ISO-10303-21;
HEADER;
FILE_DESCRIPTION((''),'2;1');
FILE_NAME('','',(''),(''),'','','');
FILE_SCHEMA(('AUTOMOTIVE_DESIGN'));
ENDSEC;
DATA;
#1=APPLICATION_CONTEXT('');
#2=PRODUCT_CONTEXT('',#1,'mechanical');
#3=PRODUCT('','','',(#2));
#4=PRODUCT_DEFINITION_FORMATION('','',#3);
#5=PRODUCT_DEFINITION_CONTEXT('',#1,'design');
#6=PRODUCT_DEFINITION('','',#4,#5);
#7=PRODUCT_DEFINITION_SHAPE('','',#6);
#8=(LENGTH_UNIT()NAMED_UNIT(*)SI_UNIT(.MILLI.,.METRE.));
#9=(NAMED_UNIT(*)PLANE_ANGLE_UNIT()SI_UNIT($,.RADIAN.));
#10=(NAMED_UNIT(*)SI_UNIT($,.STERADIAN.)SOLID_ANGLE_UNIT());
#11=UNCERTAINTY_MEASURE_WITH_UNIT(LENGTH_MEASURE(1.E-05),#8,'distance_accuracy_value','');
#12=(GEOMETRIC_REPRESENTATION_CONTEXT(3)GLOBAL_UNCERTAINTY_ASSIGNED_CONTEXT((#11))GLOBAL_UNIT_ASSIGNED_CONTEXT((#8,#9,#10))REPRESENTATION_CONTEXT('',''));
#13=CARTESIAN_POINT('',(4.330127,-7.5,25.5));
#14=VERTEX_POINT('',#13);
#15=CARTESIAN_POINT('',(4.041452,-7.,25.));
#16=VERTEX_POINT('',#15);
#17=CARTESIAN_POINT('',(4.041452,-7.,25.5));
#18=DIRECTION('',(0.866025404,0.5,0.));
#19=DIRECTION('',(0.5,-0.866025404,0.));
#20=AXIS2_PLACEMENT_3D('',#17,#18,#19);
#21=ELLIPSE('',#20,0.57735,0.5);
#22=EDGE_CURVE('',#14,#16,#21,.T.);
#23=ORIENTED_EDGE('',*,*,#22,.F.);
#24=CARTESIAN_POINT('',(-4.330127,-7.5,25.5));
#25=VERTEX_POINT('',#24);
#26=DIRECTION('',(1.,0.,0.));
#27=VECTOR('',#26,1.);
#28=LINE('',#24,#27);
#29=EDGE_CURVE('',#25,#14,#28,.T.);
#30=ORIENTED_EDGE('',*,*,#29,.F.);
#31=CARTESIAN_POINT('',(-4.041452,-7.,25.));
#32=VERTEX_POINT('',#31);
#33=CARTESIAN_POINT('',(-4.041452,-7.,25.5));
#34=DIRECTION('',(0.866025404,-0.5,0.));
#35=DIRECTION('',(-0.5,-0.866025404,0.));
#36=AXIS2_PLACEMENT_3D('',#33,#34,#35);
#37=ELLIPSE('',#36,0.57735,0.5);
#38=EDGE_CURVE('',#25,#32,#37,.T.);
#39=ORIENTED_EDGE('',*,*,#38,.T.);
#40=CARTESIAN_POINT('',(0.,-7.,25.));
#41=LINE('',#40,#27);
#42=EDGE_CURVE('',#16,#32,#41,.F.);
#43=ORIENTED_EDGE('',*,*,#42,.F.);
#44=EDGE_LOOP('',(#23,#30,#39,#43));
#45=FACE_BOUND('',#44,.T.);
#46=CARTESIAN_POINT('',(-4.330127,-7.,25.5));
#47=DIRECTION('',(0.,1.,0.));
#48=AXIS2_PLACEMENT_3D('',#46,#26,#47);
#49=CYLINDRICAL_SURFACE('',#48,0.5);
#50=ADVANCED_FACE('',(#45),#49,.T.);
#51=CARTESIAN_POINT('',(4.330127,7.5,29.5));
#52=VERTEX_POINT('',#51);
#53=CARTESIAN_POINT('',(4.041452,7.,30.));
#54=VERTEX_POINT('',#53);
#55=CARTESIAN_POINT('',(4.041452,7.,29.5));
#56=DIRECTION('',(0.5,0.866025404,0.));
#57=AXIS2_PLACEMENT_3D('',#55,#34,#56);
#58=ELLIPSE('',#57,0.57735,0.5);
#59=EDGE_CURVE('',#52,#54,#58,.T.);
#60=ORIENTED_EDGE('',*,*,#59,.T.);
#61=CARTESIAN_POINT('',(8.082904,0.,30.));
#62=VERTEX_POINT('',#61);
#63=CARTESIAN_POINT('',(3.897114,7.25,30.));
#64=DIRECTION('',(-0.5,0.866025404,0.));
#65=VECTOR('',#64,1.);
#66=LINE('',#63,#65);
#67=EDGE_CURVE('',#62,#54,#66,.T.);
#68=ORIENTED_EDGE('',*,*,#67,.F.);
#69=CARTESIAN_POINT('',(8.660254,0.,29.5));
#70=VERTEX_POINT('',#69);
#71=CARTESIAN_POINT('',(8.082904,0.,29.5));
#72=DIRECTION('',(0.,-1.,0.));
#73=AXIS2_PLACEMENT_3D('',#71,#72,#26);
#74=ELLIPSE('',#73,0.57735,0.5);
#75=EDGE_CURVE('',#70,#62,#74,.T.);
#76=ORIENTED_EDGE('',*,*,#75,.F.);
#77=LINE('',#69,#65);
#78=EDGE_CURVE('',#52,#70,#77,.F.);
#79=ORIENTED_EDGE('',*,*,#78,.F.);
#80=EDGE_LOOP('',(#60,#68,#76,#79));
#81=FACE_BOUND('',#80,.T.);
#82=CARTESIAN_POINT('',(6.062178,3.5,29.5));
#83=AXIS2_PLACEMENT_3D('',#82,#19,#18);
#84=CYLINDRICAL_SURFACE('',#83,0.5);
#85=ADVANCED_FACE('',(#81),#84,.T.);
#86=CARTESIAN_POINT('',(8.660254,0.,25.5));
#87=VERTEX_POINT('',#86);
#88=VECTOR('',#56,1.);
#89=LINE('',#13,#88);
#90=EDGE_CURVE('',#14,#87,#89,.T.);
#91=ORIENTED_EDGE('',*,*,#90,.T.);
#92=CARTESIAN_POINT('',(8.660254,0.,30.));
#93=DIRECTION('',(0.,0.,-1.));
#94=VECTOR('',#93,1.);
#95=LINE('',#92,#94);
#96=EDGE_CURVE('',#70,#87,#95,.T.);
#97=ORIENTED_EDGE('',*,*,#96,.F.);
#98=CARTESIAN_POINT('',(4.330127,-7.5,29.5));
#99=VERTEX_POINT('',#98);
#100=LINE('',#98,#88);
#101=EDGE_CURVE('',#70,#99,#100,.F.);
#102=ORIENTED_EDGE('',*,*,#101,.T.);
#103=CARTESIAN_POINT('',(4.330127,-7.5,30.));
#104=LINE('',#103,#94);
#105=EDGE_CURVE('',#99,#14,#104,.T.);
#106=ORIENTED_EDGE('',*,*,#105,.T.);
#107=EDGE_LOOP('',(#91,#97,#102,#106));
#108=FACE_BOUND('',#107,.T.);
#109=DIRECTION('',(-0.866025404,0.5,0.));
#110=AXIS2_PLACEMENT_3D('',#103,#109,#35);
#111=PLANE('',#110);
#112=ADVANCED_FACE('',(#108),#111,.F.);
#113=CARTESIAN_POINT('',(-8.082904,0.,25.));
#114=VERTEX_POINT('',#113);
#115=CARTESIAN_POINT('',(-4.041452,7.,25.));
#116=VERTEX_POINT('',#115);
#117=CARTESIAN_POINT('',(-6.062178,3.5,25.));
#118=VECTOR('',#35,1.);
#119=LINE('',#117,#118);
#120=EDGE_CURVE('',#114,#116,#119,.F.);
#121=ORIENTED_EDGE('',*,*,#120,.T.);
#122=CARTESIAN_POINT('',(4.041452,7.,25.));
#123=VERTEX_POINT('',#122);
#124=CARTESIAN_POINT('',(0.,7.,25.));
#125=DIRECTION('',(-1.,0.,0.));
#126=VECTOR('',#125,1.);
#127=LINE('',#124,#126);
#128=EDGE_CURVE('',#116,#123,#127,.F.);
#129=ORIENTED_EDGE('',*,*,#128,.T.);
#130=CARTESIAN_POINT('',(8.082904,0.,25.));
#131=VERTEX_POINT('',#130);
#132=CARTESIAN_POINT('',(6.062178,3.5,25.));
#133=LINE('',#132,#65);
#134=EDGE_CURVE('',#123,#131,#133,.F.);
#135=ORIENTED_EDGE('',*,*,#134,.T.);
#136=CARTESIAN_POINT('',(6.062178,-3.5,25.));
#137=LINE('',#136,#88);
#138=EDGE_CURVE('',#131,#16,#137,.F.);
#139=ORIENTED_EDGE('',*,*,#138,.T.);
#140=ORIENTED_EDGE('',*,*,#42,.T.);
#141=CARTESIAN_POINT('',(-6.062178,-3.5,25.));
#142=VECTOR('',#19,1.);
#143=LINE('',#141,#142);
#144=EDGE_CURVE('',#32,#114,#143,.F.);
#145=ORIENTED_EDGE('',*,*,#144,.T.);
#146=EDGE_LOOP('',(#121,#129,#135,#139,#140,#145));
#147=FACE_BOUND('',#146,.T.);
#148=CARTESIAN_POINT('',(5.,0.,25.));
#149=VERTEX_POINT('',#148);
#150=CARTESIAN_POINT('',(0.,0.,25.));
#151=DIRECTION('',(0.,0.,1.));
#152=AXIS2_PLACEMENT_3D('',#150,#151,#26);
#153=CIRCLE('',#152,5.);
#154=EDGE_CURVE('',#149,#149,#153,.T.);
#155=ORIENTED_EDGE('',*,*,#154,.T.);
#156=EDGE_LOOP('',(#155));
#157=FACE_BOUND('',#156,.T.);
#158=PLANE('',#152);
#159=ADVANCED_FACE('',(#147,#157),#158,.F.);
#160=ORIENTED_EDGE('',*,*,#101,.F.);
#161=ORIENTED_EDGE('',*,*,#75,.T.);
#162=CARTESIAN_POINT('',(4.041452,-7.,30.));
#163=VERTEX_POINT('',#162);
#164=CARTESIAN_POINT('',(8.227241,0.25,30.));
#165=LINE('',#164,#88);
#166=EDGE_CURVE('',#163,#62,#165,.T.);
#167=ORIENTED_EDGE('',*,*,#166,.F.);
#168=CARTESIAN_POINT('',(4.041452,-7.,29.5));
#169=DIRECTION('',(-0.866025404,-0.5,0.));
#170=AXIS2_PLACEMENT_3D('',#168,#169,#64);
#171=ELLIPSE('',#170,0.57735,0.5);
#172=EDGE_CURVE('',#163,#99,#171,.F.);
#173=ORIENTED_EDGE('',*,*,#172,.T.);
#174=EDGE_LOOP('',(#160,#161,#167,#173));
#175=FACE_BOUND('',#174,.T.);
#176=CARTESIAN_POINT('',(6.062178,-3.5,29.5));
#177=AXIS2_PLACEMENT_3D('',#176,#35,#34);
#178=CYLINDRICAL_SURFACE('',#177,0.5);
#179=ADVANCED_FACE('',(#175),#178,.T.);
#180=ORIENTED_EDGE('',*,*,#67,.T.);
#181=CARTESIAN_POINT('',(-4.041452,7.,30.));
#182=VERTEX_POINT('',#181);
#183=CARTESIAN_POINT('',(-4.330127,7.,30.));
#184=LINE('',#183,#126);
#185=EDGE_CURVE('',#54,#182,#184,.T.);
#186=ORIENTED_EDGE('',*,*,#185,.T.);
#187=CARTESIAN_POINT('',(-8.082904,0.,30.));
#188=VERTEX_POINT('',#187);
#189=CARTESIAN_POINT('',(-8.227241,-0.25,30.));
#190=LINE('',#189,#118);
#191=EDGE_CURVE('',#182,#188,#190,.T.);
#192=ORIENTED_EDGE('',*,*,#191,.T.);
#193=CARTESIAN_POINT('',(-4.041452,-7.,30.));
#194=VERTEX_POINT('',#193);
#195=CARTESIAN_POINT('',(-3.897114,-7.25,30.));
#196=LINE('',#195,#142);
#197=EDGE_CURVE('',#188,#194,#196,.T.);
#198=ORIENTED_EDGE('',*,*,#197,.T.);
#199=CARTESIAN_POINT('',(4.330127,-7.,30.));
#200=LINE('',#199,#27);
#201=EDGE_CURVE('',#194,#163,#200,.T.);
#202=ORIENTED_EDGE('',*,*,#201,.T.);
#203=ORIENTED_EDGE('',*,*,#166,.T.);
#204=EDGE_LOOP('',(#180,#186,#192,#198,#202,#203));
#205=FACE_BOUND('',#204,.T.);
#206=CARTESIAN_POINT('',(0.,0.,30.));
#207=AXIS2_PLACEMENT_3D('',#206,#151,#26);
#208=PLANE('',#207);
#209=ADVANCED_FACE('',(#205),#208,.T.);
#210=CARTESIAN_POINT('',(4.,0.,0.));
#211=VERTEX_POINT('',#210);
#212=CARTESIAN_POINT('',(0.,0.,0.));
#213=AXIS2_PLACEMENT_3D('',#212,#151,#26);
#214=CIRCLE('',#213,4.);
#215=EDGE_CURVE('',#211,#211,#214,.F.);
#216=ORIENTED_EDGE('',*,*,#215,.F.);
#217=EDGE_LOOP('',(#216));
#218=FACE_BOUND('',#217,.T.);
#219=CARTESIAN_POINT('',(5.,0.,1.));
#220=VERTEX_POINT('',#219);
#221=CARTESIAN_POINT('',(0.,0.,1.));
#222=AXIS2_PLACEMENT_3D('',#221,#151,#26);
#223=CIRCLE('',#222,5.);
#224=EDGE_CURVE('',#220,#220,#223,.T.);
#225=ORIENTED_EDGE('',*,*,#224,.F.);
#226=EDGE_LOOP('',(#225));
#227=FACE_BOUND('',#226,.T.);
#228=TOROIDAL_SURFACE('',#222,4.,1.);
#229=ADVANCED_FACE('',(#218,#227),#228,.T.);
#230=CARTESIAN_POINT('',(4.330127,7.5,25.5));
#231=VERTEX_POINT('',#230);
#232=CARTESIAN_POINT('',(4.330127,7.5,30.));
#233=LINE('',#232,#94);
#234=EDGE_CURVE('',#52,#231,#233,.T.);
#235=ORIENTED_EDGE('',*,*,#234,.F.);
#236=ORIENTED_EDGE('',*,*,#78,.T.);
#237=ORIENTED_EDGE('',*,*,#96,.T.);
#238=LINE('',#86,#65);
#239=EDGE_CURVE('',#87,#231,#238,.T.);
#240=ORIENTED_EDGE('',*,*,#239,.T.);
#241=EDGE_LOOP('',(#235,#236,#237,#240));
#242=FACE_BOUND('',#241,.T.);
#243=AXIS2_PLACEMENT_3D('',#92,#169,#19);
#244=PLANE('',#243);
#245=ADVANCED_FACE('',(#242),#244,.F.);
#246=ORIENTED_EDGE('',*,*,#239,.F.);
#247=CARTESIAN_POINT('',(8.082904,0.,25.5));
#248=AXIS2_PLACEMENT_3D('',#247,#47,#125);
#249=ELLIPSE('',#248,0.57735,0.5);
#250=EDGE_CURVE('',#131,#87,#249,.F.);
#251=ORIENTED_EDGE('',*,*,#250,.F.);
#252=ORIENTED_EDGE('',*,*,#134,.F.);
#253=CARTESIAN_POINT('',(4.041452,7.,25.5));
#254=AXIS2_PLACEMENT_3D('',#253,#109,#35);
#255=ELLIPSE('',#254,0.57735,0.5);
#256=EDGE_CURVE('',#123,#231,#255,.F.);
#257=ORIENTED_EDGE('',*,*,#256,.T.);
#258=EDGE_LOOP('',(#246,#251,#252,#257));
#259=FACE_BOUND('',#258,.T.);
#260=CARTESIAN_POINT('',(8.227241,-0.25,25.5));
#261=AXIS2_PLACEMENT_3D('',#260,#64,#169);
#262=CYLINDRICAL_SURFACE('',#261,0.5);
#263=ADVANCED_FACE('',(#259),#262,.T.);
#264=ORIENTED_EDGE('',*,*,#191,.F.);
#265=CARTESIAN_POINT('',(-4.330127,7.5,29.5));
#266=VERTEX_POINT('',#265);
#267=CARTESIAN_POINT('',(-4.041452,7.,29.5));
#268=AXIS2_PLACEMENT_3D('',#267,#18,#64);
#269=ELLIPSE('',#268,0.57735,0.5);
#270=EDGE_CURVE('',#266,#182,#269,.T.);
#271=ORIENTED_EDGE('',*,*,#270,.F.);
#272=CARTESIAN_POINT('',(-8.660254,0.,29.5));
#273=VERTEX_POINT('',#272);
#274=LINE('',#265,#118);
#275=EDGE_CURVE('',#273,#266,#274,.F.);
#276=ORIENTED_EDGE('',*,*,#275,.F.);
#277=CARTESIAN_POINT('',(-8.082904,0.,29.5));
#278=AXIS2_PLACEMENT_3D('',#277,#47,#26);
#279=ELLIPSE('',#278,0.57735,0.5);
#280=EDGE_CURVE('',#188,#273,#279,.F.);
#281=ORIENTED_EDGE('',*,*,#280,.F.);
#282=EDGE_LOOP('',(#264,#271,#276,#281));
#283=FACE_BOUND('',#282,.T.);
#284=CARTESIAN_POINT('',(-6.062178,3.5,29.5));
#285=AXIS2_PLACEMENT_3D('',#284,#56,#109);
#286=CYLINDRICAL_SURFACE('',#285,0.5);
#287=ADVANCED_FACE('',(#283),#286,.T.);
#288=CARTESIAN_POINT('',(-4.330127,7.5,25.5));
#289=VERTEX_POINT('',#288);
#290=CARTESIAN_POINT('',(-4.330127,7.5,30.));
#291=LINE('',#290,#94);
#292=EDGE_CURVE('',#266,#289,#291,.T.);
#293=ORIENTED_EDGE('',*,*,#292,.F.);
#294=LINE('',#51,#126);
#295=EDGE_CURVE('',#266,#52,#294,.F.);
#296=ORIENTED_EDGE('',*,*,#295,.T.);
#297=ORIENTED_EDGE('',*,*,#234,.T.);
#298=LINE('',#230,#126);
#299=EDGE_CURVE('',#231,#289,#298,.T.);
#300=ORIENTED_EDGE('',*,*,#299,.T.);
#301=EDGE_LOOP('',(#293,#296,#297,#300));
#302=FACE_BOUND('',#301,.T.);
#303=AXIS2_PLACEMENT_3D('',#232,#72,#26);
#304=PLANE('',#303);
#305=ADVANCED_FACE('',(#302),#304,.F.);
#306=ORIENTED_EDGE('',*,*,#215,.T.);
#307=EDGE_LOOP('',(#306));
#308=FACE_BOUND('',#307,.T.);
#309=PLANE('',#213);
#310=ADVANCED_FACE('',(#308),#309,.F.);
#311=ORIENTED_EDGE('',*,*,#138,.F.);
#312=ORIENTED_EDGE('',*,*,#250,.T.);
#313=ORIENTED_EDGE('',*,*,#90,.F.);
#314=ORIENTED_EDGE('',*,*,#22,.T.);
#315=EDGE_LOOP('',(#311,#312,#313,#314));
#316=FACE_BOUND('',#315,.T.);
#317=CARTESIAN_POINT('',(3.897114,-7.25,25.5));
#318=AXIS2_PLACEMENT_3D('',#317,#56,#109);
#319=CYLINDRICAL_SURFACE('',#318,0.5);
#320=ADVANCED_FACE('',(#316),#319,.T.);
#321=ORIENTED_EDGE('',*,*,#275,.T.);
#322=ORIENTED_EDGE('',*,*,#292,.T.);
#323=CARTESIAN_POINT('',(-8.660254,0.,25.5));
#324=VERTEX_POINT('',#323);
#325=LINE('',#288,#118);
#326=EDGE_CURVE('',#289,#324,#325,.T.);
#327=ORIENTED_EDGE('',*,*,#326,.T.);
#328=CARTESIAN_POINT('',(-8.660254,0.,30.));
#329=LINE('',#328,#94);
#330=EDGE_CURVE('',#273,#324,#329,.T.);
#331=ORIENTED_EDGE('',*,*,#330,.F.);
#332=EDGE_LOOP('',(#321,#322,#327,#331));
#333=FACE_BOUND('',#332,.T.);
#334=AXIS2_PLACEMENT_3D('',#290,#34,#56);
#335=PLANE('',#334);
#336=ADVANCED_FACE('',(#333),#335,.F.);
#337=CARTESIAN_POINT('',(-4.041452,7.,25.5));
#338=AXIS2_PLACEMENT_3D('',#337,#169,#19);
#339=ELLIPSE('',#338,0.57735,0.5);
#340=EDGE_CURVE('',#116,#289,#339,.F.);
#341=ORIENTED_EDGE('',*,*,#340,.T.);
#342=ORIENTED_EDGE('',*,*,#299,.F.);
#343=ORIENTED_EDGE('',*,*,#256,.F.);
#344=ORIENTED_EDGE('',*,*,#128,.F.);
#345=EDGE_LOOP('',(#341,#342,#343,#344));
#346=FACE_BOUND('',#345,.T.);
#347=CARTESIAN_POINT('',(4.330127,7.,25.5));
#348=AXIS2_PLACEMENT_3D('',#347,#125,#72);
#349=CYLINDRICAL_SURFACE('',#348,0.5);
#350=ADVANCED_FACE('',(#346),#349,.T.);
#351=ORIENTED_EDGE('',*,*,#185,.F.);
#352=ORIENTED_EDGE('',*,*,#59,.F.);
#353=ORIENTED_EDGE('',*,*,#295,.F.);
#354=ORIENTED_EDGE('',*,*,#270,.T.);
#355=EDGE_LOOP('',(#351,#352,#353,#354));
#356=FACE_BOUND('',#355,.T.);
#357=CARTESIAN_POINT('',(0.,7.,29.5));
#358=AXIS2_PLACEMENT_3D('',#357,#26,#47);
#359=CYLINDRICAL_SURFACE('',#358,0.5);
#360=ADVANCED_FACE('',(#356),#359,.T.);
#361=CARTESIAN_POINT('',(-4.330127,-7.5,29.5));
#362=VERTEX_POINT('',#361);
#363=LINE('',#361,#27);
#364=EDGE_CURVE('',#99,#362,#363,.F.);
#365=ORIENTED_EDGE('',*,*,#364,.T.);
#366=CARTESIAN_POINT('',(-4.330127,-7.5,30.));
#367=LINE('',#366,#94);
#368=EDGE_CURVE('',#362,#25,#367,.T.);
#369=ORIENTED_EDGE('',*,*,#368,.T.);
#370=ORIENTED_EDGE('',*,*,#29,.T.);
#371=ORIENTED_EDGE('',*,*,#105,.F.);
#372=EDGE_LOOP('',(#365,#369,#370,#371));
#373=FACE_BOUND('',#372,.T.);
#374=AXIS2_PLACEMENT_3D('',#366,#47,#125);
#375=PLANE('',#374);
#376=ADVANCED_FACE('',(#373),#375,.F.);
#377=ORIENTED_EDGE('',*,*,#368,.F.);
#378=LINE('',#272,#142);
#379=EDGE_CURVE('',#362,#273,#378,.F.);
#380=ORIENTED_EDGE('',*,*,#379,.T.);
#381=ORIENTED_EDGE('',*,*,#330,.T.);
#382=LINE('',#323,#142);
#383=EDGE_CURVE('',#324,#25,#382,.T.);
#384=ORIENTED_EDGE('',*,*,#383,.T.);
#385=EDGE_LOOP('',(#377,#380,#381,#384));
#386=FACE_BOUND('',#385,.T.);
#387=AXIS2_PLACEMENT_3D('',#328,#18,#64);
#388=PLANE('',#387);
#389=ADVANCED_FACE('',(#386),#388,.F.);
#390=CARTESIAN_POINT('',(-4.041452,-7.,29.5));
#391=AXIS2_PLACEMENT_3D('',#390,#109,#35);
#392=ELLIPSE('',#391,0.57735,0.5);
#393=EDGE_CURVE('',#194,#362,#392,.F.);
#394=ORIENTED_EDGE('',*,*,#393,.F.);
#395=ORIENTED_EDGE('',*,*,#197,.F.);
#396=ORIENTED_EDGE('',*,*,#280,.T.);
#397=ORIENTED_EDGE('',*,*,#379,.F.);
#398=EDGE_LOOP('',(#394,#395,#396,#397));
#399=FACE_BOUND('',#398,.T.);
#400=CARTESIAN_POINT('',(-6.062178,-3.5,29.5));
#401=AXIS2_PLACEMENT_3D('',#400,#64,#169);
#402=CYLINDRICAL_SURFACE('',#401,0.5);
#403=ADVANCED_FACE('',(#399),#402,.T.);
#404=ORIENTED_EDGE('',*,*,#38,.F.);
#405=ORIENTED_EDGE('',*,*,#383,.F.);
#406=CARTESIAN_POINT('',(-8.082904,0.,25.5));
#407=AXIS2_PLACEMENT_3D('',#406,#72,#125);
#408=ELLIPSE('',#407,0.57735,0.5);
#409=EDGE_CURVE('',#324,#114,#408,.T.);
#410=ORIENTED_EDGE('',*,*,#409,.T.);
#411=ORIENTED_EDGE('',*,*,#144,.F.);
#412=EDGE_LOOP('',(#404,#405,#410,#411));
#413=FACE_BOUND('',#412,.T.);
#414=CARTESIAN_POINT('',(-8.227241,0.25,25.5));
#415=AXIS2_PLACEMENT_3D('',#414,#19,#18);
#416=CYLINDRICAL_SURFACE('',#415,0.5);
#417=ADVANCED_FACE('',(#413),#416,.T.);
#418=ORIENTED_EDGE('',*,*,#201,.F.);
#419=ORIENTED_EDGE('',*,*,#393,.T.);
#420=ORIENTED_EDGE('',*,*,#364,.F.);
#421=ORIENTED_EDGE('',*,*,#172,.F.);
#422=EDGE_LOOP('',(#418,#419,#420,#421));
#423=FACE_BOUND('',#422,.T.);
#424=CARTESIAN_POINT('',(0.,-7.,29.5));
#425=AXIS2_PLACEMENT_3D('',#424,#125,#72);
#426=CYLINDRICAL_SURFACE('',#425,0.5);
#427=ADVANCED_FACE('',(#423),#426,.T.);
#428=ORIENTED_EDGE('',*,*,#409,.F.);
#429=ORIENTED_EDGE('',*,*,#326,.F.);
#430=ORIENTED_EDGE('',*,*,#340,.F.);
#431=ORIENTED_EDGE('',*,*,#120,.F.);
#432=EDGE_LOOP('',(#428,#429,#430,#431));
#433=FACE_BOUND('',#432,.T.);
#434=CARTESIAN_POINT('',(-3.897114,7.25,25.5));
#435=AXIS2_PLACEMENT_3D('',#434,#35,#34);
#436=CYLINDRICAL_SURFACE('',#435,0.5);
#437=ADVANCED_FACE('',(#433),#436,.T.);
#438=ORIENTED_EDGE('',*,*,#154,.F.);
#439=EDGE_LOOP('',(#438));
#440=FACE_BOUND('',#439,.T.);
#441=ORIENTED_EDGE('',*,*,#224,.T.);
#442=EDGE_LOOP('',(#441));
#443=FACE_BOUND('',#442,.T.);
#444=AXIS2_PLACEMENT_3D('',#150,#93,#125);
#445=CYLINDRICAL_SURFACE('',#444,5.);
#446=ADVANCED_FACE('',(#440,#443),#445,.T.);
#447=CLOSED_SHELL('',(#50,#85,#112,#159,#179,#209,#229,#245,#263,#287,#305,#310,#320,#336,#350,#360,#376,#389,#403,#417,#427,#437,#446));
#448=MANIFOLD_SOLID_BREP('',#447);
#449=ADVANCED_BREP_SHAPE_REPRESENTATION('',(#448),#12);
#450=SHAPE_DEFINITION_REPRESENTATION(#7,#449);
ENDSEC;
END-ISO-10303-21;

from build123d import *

# Parameters (mm, degrees)
SKETCH_1_R      = 5
EXTRUDE_1_DEPTH = 25
EXTRUDE_2_DEPTH = 5
FILLET_1_R      = 1
FILLET_2_R      = 0.5


with BuildPart() as part:
    # 草图1 → 凸台-拉伸1 (new body)
    with BuildSketch(Plane.XY):
        Circle(SKETCH_1_R)
    extrude(amount=EXTRUDE_1_DEPTH)

    # 草图2 → 凸台-拉伸2 (add)
    with BuildSketch(Plane.XY.offset(25)):
        Polygon((4.330127019, -7.5), (8.660254038, 0), (4.330127019, 7.5), (-4.330127019, 7.5), (-8.660254038, 0), (-4.330127019, -7.5), align=None)
    extrude(amount=EXTRUDE_2_DEPTH)

    # 圆角1
    fillet_1_edges = [part.edges().sort_by_distance(p)[0] for p in [
        (-5, 0, 0),
    ]]
    fillet(fillet_1_edges, radius=FILLET_1_R)

    # 圆角2
    fillet_2_edges = [part.edges().sort_by_distance(p)[0] for p in [
        (0, -7.5, 25),
        (6.495190528, -3.75, 25),
        (6.495190528, 3.75, 25),
        (0, 7.5, 25),
        (-6.495190528, 3.75, 25),
        (-6.495190528, -3.75, 25),
        (0, -7.5, 30),
        (6.495190528, -3.75, 30),
        (6.495190528, 3.75, 30),
        (0, 7.5, 30),
        (-6.495190528, 3.75, 30),
        (-6.495190528, -3.75, 30),
    ]]
    fillet(fillet_2_edges, radius=FILLET_2_R)


solid = part.part
